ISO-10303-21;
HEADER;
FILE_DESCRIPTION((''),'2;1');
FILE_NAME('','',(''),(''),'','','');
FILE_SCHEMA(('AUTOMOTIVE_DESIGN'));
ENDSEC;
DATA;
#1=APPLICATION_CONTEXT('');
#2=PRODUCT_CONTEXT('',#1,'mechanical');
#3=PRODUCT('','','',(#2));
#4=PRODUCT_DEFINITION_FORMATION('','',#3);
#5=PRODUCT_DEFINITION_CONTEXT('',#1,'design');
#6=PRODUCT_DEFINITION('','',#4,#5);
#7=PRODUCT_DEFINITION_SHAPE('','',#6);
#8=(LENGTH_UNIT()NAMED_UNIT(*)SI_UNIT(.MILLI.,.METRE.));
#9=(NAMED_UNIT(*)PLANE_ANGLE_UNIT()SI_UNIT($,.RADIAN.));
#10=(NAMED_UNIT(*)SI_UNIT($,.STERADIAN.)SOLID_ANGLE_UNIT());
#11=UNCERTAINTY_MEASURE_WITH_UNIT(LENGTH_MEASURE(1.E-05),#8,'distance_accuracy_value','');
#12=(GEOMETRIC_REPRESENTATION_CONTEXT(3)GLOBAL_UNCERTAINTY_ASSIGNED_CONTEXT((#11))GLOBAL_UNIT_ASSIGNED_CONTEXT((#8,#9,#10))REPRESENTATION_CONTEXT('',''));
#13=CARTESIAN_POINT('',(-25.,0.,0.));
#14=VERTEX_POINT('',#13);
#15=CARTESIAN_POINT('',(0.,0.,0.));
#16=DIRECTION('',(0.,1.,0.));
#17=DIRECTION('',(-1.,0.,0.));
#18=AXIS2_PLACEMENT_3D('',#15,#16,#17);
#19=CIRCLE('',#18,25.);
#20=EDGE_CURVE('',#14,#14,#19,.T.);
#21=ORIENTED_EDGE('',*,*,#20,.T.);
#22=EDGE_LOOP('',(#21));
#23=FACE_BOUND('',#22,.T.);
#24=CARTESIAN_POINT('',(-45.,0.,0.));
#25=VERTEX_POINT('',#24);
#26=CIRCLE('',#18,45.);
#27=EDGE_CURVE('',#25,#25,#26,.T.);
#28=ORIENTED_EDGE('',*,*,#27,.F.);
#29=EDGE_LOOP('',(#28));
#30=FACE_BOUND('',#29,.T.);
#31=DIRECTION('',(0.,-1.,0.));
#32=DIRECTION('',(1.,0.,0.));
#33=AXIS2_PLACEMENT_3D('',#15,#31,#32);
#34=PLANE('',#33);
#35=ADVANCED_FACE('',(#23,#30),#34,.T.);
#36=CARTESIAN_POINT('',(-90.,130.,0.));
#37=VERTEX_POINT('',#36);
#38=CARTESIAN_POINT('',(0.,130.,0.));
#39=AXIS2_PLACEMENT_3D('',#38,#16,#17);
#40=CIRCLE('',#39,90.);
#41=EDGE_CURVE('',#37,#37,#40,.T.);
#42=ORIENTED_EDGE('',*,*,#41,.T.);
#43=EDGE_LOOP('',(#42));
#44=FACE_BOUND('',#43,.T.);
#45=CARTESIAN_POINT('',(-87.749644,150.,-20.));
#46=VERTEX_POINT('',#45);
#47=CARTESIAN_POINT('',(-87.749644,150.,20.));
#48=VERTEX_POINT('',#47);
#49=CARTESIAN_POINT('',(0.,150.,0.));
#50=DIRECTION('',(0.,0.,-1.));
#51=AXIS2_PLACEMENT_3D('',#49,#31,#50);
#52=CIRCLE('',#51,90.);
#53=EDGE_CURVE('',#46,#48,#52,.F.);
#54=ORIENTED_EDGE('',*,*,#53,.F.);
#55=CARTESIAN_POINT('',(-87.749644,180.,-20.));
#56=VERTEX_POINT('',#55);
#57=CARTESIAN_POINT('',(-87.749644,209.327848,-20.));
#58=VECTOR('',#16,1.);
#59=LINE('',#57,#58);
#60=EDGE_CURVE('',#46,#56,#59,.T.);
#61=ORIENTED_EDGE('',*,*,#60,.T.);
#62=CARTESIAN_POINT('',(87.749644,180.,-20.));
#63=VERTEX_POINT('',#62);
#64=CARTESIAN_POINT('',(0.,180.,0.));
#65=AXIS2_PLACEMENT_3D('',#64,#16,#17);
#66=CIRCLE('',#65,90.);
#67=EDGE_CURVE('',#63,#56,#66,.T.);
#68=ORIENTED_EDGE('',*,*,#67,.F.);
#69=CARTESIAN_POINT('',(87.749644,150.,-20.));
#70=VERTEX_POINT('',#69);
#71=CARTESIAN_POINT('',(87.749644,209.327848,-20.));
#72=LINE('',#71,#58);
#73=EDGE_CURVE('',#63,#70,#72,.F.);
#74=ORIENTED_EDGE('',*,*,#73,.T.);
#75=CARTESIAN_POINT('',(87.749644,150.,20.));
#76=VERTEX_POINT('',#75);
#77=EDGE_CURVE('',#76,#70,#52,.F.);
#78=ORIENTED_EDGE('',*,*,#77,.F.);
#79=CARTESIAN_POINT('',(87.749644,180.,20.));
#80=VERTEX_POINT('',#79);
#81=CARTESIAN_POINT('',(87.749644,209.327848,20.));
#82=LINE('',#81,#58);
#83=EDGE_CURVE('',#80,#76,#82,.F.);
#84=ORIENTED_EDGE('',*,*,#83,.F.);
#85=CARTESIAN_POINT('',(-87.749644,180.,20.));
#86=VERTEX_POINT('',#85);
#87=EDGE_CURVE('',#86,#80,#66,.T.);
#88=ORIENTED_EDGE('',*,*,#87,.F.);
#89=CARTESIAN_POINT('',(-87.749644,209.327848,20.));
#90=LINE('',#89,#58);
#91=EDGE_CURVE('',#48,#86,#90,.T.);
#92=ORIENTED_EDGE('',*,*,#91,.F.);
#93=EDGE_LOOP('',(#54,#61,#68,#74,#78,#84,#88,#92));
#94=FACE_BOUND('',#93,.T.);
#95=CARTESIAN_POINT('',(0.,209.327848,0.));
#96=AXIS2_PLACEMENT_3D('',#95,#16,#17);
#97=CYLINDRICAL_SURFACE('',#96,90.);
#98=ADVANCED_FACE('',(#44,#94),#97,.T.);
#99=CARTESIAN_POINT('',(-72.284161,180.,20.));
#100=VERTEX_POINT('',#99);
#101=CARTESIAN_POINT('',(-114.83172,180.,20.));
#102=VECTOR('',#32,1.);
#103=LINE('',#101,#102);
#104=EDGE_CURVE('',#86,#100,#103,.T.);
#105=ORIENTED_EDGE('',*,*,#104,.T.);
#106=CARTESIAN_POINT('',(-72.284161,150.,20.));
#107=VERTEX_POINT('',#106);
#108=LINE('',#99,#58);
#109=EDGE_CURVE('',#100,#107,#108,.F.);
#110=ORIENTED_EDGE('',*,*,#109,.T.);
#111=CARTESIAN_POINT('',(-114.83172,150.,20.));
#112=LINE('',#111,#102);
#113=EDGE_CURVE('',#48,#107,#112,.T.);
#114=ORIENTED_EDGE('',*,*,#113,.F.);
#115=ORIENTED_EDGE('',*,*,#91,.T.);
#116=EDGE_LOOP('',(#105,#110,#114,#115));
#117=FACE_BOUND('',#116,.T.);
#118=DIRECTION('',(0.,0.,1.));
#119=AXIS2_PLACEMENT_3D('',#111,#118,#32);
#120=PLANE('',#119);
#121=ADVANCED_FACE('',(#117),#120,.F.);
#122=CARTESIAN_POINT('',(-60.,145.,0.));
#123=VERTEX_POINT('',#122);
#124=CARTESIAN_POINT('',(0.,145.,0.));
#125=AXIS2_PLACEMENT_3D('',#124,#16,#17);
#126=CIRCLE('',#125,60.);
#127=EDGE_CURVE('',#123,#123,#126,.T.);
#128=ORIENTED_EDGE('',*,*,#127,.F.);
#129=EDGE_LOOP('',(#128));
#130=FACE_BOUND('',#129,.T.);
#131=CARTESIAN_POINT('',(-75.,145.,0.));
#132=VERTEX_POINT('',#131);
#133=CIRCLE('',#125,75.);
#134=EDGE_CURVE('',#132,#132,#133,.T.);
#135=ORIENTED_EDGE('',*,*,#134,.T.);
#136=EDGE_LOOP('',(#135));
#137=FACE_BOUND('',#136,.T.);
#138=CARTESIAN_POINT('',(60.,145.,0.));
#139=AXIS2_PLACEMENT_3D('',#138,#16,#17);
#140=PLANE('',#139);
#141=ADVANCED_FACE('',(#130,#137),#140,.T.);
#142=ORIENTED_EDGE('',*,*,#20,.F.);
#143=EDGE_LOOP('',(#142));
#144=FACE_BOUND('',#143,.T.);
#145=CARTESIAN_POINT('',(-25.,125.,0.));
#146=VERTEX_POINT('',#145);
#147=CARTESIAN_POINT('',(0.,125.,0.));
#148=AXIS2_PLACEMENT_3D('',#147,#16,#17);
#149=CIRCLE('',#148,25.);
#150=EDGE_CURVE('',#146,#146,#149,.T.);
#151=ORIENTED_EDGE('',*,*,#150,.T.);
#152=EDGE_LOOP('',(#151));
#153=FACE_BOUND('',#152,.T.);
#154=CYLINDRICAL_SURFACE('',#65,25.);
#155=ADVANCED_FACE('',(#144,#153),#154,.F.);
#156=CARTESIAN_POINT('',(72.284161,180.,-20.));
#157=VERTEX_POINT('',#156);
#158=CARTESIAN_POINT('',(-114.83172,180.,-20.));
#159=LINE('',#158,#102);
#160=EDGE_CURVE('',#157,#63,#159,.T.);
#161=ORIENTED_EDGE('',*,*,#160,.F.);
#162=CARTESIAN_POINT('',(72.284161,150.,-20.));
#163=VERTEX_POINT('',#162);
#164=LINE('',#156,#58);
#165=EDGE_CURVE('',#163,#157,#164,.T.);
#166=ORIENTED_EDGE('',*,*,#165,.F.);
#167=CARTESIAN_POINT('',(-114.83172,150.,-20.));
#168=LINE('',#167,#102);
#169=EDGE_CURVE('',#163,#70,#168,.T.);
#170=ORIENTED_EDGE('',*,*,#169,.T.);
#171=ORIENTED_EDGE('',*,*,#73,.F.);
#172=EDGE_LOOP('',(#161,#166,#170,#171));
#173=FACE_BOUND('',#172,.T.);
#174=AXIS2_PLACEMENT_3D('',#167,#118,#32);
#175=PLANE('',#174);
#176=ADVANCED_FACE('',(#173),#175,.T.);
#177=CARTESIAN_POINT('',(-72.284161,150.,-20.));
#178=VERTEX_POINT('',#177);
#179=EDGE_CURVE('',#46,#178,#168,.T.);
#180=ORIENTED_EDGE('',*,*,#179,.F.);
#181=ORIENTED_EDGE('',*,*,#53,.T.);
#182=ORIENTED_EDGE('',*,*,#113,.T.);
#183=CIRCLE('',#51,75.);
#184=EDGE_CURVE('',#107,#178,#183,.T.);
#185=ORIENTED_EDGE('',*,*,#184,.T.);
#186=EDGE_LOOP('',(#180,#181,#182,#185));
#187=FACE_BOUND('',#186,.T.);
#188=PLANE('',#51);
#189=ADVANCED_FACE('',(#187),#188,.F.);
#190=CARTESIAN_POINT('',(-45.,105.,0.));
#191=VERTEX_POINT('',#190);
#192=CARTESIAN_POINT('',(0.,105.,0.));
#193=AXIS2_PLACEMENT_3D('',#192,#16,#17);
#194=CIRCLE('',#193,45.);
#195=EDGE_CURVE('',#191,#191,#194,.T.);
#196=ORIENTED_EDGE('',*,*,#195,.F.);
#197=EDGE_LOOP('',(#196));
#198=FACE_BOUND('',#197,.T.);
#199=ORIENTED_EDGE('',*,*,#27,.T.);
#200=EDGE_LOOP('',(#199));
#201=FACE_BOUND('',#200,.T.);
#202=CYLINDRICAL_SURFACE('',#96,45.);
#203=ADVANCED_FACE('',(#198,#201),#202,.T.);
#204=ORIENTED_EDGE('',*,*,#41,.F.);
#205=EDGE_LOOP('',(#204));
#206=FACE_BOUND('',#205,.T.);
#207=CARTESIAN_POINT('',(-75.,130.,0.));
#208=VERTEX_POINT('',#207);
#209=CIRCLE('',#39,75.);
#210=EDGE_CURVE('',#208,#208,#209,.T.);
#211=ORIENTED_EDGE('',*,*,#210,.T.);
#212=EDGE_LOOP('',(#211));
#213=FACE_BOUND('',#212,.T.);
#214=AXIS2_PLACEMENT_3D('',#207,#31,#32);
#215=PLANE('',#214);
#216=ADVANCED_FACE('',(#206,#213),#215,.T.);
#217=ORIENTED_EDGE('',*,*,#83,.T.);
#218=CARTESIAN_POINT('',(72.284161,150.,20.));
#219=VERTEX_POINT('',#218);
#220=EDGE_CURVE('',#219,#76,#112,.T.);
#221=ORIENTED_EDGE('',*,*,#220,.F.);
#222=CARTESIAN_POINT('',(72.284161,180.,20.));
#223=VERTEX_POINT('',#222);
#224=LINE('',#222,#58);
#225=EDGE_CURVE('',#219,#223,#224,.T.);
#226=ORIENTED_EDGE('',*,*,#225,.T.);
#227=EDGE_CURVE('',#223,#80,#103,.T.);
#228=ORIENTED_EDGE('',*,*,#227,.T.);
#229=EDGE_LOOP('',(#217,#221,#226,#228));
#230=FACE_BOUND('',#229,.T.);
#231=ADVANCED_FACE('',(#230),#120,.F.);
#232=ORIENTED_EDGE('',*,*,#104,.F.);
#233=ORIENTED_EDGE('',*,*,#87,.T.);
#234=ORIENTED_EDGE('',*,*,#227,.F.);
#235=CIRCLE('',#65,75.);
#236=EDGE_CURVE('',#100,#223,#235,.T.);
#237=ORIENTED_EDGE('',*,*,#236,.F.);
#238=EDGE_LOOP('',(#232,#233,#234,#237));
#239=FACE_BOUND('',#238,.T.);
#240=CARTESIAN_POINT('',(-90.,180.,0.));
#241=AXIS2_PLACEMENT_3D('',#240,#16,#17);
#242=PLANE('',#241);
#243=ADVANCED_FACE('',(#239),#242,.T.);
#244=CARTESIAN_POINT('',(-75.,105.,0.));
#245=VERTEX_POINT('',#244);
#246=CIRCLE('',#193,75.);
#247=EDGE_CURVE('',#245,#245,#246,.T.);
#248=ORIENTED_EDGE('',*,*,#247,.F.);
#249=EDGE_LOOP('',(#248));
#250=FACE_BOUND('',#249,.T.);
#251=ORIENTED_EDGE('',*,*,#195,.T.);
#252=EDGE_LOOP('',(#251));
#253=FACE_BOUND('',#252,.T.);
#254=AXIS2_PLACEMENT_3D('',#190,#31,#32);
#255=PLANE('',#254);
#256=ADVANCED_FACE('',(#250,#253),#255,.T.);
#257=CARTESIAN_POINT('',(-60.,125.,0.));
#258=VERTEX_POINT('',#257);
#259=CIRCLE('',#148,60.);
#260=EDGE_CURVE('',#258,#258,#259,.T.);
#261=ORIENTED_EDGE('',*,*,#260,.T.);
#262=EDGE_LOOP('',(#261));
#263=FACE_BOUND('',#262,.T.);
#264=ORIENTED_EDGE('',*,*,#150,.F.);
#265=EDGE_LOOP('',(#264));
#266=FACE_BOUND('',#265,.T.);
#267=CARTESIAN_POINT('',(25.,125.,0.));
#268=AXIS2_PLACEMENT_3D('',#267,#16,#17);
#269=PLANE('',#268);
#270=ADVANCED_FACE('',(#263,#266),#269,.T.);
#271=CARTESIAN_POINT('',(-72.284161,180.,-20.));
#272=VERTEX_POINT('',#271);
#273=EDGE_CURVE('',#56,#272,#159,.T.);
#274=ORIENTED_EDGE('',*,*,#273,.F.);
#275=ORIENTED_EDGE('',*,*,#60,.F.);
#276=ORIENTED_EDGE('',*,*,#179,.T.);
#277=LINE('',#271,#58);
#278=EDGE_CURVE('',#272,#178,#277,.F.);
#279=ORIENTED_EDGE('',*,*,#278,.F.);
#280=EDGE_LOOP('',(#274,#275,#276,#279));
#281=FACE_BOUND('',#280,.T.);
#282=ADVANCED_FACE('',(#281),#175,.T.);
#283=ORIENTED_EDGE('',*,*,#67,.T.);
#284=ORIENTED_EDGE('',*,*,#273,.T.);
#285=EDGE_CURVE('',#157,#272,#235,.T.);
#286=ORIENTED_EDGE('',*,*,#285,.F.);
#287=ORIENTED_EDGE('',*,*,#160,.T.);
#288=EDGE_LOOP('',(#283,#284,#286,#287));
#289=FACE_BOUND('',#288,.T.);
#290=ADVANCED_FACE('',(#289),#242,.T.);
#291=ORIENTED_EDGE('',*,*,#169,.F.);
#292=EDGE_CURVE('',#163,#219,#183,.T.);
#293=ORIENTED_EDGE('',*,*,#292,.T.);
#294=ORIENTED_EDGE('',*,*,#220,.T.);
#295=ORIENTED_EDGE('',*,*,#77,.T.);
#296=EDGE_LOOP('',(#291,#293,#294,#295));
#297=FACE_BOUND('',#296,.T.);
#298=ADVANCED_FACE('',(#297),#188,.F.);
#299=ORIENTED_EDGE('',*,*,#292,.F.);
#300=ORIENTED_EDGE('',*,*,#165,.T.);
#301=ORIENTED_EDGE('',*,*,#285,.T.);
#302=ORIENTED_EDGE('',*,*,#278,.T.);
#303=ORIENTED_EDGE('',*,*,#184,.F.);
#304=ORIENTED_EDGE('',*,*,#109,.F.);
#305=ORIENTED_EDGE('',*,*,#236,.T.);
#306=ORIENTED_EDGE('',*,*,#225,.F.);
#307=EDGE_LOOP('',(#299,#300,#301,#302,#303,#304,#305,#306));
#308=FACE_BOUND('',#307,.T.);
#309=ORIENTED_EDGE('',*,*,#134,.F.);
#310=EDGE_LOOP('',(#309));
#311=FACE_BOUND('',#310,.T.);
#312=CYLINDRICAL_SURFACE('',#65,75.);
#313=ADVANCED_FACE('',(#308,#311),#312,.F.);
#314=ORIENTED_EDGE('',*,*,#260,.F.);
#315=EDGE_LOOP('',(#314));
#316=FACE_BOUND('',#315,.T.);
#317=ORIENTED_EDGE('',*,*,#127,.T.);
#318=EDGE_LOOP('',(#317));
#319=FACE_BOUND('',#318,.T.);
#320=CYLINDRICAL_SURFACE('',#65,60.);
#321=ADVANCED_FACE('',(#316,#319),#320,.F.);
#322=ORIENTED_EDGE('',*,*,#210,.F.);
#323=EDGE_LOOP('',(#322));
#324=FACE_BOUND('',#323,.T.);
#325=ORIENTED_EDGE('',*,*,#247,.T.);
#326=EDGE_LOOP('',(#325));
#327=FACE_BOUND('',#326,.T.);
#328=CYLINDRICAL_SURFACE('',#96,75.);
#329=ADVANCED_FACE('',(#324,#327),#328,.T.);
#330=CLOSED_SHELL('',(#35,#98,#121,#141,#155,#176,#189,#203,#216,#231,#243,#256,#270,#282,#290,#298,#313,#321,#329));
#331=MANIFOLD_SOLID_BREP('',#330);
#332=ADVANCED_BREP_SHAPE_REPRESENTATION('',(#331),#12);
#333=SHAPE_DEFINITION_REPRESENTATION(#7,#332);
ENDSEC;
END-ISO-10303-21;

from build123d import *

# Parameters (mm, degrees)
SKETCH3_W          = 229.663439326
SKETCH3_H          = 40
CUT_EXTRUDE1_DEPTH = 30


with BuildPart() as part:
    # Sketch1 → Revolve1 (revolve)
    with BuildSketch(Plane.XY):
        Polygon((0, 0), (-45, 0), (-45, 105), (-75, 105), (-75, 130), (-90, 130), (-90, 180), (0, 180), align=None)
    revolve(axis=Axis((0, 209.327847516, 0), (0, -1, 0)))

    # Sketch2 → Cut-Revolve3 (revolve, cut)
    with BuildSketch(Plane.XY):
        Polygon((25, 0), (25, 125), (60, 125), (60, 145), (75, 145), (75, 180), (0, 180), (0, 0), align=None)
    revolve(axis=Axis((0, 180, 0), (0, -1, 0)), mode=Mode.SUBTRACT)

    # Sketch3 → Cut-Extrude1 (cut)
    with BuildSketch(Plane(origin=(0, 180, 0), x_dir=(1, 0, 0), z_dir=(0, 1, 0))):
        Rectangle(SKETCH3_W, SKETCH3_H)
    extrude(amount=-CUT_EXTRUDE1_DEPTH, mode=Mode.SUBTRACT)


solid = part.part
